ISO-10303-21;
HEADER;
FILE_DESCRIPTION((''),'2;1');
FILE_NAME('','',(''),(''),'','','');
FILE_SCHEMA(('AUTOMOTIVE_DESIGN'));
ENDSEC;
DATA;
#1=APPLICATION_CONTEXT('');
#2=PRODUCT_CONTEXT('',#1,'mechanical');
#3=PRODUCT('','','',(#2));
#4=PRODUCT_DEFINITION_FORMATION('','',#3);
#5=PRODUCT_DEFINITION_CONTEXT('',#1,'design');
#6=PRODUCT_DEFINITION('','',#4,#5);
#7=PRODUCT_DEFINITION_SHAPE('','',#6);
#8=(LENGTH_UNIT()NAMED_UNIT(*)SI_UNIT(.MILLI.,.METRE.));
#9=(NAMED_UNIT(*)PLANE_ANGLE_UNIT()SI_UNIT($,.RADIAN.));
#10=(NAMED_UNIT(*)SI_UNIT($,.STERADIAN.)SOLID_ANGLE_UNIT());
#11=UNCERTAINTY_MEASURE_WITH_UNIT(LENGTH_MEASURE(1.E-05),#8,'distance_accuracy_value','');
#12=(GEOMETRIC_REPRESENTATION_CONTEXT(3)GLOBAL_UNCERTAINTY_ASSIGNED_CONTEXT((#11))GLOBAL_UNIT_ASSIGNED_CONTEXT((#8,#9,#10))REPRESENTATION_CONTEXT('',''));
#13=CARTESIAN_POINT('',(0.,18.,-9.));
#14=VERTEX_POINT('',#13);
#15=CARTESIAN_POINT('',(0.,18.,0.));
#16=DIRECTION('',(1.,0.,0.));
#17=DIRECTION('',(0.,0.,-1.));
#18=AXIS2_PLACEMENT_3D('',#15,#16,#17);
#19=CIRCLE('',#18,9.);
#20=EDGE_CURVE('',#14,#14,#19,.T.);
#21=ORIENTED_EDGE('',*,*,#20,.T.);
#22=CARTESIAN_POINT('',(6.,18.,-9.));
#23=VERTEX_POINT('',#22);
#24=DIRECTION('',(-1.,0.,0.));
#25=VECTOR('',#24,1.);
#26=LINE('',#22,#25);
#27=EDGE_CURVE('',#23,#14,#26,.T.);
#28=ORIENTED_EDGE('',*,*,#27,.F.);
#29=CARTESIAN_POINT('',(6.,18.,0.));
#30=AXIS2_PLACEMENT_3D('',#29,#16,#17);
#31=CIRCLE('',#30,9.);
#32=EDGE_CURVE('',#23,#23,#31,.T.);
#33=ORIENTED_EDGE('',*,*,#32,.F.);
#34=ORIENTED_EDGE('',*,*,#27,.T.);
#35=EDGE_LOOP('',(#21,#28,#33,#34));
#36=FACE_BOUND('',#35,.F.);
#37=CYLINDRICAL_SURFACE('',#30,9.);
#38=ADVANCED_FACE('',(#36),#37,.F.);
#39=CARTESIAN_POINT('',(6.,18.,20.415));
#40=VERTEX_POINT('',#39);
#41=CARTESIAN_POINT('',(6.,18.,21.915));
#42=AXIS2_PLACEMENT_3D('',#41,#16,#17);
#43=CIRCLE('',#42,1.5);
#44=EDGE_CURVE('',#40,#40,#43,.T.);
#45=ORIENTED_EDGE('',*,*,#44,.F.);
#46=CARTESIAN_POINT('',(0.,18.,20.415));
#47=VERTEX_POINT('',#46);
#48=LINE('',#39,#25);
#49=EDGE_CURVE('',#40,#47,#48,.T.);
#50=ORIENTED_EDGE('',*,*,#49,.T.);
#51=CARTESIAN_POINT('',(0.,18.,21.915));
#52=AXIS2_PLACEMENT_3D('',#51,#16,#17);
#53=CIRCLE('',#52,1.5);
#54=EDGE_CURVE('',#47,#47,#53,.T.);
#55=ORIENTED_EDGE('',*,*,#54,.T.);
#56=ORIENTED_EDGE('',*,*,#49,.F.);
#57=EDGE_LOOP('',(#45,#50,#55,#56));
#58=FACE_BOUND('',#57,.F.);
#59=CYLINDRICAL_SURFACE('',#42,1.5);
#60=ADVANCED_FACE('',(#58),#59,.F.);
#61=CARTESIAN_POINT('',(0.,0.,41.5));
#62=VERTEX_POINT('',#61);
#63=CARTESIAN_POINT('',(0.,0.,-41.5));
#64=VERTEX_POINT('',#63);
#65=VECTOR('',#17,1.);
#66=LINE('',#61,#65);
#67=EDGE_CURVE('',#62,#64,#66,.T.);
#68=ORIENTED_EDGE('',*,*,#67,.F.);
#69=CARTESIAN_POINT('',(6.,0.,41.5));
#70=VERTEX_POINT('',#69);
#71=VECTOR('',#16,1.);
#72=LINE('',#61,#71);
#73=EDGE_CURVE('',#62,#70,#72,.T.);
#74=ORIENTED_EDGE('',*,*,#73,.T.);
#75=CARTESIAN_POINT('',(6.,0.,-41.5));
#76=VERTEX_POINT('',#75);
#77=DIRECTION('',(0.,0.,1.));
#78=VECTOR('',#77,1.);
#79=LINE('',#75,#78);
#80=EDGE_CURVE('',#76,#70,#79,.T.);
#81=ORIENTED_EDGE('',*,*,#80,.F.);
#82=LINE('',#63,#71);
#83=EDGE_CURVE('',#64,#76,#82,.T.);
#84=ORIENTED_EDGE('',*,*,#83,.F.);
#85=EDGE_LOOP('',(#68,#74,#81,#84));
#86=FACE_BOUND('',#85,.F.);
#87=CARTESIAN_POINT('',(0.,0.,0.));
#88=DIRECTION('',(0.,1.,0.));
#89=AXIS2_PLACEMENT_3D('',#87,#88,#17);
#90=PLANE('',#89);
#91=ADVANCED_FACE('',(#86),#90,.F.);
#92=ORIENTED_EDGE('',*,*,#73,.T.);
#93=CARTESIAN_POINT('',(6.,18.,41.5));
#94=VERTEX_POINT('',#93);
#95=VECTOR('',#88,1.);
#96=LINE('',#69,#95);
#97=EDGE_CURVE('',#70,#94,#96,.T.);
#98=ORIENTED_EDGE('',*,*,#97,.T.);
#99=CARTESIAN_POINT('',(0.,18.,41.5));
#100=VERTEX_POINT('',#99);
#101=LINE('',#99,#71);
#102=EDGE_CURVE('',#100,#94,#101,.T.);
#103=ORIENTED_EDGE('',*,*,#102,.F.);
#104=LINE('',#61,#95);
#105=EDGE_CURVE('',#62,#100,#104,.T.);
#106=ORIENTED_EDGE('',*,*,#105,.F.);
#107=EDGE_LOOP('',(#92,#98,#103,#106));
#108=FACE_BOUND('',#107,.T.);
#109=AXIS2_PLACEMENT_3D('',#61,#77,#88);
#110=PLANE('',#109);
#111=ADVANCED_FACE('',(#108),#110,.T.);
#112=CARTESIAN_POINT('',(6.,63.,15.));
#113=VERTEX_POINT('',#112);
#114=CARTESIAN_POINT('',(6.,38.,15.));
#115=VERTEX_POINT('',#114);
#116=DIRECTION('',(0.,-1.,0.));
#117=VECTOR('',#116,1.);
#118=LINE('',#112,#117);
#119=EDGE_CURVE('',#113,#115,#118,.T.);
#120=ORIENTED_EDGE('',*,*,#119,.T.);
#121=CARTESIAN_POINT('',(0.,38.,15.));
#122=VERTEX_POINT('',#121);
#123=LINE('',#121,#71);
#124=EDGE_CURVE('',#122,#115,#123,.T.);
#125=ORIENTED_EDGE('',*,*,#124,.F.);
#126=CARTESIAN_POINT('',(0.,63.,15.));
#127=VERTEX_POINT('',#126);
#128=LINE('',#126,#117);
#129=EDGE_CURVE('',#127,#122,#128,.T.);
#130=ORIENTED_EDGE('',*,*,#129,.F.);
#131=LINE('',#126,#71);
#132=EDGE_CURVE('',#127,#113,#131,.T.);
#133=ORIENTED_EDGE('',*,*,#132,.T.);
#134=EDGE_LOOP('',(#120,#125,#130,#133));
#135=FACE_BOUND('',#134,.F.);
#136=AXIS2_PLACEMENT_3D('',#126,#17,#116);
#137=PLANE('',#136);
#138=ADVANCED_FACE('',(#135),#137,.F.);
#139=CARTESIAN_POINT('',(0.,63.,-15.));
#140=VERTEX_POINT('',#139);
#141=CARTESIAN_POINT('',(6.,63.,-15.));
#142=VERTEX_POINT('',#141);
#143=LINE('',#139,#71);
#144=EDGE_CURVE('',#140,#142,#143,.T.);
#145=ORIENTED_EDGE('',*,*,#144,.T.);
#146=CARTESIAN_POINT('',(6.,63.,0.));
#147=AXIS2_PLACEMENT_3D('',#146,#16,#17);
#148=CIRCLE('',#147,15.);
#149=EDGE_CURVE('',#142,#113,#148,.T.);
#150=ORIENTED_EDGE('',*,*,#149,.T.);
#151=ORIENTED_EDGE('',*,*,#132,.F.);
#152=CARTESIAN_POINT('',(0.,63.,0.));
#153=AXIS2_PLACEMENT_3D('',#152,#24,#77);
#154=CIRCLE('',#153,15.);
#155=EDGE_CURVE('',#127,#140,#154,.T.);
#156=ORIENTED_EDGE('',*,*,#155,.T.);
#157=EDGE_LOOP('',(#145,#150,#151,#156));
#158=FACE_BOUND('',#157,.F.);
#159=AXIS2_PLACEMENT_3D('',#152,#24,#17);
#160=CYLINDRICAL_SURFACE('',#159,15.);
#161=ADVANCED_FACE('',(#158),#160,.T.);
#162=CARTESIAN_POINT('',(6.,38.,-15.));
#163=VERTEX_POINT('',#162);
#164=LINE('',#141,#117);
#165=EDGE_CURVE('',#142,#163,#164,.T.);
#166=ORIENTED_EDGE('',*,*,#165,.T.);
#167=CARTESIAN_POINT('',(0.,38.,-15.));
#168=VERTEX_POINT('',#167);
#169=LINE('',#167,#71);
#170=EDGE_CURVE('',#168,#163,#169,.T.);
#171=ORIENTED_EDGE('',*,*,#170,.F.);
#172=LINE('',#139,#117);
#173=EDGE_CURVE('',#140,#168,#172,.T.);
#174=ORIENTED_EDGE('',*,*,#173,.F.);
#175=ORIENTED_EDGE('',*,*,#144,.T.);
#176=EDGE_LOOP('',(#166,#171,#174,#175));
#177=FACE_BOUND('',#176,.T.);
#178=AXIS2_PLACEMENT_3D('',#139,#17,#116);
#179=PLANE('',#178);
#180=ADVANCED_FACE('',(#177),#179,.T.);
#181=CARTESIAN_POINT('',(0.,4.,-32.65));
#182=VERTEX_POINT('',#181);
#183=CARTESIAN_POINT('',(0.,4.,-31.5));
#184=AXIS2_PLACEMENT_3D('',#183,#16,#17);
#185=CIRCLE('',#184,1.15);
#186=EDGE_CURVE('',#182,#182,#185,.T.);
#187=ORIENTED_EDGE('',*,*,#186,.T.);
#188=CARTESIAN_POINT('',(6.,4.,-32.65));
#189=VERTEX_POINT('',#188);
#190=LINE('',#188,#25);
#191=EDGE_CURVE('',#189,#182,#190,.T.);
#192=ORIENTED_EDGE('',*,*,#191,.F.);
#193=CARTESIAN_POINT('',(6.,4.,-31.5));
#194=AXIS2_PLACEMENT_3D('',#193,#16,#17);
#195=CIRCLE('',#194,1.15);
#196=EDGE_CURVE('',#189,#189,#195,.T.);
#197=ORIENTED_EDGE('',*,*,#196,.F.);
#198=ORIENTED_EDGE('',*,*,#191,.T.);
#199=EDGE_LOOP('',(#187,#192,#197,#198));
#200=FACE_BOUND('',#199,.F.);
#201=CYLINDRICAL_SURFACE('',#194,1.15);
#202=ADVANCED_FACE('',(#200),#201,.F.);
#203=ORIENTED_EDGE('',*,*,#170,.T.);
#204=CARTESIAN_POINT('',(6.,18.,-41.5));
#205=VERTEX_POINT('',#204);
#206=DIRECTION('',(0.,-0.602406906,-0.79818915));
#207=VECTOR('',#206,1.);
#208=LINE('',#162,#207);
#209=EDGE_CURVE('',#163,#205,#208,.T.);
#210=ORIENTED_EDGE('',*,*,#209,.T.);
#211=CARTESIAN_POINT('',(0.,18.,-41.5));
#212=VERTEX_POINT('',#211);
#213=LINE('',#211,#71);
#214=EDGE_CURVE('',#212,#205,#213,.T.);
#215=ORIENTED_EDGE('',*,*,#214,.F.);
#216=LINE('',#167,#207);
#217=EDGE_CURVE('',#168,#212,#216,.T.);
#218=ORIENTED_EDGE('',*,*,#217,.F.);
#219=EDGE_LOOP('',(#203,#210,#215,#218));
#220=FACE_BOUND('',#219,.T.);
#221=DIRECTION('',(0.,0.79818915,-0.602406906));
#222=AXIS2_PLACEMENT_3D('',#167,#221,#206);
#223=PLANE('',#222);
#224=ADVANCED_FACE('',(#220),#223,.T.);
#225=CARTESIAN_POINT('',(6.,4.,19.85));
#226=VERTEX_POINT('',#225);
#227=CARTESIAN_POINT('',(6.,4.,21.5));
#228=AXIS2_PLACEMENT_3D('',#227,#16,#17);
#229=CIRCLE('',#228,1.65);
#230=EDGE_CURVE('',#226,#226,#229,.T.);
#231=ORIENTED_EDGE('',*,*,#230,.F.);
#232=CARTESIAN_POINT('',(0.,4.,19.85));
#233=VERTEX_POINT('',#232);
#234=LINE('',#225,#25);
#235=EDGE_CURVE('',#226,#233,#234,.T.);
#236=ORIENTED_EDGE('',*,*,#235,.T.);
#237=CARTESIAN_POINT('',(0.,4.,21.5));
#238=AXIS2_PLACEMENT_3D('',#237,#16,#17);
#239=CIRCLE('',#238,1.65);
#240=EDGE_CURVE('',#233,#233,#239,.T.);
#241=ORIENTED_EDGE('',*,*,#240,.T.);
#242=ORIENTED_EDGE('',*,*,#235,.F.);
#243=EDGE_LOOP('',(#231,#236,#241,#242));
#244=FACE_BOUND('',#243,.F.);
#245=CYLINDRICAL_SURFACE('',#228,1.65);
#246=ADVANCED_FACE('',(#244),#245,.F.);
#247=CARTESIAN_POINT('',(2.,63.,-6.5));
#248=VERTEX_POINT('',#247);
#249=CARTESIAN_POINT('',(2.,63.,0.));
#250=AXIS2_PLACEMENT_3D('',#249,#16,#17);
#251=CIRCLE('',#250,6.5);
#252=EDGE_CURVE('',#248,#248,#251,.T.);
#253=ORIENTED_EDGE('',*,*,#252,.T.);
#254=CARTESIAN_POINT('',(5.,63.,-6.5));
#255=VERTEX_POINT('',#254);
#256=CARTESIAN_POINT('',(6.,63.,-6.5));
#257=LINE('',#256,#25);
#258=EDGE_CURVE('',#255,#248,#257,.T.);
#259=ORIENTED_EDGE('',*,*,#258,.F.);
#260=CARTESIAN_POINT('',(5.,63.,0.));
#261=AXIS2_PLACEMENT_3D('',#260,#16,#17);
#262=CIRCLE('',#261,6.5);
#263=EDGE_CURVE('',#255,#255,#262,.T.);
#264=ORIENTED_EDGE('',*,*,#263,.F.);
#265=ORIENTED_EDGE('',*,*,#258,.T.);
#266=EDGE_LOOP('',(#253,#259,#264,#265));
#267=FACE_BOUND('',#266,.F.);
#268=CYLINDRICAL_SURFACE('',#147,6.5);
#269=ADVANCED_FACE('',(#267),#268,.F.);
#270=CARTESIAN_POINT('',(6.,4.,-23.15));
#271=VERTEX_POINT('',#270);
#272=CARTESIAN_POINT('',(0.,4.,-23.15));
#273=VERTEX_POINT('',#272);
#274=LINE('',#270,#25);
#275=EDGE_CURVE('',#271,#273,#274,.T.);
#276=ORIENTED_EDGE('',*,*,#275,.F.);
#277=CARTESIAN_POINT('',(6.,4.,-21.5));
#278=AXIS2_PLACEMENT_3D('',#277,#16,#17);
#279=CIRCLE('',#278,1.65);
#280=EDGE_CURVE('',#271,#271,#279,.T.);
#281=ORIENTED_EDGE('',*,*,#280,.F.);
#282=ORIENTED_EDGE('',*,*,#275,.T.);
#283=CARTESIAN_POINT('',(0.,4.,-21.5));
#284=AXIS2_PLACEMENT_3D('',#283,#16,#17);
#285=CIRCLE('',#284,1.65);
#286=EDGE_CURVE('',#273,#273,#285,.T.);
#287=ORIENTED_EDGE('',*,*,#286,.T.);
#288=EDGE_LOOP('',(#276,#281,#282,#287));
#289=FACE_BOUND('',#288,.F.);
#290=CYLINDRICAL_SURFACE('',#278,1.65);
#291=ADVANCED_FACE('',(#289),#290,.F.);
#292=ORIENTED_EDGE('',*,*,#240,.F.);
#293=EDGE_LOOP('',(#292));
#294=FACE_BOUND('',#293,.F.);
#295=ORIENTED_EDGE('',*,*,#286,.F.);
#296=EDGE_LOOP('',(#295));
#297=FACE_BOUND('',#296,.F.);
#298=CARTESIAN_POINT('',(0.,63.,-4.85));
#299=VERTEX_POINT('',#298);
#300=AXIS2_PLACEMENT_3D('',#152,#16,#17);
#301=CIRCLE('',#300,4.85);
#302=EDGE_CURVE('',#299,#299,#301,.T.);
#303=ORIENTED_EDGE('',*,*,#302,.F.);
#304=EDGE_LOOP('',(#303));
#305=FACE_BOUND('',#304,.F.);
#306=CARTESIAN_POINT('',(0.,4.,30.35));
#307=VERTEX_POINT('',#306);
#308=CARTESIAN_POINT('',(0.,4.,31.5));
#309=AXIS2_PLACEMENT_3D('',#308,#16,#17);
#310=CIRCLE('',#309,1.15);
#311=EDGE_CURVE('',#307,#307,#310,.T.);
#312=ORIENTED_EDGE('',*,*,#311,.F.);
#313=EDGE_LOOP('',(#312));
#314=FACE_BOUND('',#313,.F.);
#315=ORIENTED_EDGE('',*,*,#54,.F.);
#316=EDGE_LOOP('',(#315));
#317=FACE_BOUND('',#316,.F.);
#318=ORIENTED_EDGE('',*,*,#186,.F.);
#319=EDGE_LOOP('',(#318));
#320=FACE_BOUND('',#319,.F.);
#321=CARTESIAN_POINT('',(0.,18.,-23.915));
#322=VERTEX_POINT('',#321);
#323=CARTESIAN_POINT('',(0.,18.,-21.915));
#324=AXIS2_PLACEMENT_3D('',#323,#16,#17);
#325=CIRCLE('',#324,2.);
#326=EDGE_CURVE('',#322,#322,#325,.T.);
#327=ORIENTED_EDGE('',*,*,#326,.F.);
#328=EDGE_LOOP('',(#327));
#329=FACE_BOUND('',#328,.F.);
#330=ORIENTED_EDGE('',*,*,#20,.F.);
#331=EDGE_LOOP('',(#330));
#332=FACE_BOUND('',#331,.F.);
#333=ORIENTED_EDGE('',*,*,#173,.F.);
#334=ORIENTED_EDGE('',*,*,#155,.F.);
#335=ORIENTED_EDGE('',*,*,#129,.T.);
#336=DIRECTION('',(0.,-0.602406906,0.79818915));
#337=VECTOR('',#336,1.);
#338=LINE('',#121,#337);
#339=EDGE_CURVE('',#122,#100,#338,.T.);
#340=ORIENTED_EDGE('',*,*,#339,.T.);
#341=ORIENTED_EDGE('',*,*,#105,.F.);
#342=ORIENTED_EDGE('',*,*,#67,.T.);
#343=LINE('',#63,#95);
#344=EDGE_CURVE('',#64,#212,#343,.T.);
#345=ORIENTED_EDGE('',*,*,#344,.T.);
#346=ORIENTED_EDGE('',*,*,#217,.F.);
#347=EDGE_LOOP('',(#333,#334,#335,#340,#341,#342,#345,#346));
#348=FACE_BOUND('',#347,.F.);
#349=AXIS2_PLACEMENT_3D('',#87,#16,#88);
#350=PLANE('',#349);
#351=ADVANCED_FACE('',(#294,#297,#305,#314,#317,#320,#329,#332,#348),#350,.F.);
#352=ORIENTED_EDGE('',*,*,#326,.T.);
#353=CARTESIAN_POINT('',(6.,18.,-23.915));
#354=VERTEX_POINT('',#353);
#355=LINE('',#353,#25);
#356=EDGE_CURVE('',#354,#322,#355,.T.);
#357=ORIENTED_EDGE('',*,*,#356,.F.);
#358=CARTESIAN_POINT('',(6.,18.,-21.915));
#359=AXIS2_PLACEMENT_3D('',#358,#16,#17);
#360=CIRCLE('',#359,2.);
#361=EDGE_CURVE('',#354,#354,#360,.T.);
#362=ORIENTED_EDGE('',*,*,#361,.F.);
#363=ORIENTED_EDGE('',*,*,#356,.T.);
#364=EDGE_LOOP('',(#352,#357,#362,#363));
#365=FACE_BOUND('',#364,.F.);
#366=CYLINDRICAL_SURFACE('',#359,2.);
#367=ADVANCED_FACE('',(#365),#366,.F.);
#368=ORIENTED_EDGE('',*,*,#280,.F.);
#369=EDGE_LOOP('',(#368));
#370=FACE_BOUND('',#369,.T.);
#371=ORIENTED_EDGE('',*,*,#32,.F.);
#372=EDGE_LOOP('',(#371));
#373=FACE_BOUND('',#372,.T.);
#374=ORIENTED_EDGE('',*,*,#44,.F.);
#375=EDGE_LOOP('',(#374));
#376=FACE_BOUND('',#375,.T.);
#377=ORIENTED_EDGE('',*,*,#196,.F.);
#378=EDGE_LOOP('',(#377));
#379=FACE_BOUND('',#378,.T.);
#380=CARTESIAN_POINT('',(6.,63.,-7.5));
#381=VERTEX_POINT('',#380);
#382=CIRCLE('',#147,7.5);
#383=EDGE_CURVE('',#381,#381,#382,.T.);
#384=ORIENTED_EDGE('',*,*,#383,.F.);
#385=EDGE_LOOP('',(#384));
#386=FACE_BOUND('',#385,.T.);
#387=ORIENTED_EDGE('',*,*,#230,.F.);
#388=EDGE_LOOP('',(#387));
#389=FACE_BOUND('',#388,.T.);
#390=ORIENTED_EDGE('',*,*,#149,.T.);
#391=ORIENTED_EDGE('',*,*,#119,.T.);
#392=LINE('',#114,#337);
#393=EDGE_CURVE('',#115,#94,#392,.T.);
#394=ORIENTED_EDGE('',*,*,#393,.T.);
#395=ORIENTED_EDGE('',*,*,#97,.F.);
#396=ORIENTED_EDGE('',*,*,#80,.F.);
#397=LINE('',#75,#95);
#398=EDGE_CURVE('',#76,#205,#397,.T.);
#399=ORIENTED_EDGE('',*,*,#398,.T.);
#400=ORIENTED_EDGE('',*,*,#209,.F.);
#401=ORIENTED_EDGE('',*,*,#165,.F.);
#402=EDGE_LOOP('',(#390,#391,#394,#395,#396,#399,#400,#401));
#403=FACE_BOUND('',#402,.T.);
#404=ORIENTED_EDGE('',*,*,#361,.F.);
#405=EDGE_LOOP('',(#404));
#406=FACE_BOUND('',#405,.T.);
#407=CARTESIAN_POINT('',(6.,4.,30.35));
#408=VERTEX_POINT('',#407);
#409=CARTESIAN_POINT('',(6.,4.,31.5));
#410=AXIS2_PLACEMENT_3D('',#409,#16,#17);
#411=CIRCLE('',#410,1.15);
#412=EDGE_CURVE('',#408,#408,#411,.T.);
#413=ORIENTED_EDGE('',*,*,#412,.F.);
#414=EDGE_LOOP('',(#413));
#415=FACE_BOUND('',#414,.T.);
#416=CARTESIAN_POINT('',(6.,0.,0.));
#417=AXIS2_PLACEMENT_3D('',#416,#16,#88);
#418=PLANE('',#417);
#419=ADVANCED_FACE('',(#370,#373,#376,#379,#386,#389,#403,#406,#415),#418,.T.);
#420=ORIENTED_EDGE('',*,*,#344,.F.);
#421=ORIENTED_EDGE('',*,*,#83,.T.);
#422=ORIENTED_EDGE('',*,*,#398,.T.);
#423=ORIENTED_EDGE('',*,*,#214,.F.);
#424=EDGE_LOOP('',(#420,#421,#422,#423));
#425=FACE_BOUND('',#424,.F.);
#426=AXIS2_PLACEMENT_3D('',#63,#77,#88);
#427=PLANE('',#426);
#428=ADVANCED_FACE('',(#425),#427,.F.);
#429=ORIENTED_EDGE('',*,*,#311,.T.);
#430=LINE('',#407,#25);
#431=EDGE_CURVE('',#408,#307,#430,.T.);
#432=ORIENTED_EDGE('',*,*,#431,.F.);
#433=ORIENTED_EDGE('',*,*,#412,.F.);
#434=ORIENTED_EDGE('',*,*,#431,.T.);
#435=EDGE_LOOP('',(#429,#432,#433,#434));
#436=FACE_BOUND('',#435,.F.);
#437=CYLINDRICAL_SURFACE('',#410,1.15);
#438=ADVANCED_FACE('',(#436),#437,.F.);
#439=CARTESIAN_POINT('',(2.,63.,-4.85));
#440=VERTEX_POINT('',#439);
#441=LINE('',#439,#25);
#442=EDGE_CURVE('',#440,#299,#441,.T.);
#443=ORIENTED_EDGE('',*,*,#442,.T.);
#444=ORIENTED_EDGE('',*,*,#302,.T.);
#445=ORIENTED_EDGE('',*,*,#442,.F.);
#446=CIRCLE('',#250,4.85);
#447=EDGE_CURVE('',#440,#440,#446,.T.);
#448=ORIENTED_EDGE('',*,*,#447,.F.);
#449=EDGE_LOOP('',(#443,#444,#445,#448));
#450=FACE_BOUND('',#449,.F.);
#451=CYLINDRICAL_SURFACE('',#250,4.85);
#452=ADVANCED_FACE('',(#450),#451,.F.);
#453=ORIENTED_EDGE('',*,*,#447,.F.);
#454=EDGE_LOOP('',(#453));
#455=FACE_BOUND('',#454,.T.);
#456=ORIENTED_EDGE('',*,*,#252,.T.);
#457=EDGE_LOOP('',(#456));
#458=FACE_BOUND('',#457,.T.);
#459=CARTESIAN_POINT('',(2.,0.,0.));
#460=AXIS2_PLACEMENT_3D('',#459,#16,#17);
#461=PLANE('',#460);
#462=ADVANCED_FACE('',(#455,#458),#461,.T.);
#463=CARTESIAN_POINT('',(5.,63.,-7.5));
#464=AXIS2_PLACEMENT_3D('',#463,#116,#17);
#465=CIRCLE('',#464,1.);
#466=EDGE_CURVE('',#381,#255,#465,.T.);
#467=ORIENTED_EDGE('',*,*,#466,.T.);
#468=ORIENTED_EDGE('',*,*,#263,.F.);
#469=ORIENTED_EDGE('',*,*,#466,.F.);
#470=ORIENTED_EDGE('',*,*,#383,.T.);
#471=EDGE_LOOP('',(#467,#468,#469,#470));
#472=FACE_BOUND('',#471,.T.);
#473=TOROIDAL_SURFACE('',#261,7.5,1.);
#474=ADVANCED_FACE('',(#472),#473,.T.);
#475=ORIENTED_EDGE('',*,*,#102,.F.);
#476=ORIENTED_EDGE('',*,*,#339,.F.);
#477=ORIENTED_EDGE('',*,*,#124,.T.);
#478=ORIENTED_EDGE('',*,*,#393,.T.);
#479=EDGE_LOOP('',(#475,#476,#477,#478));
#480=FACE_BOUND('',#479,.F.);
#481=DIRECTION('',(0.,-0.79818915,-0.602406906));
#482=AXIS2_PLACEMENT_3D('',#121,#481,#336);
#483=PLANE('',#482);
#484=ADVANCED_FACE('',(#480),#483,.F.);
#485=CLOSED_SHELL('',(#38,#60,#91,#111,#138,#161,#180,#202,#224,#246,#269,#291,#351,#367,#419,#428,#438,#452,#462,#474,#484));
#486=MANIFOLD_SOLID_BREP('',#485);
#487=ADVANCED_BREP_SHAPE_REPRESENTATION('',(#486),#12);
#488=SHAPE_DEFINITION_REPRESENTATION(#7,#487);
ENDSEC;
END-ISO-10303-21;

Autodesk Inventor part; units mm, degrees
ref_plane "YZ Plane" through (0, 0, 0) normal (1, 0, 0) x (0, 1, 0)
ref_plane "XZ Plane" through (0, 0, 0) normal (0, 1, 0) x (-1, 0, 0)
ref_plane "XY Plane" through (0, 0, 0) normal (0, 0, 1) x (1, 0, 0)
sketch "스케치1" plane through (0, 0, 0) normal (1, 0, 0) x (0, 1, 0)
  line L0 (0, -41.5) -> (18, -41.5)
  line L1 (18, -41.5) -> (18, 59.6584) construction
  line L2 (0, 0) -> (0, -41.5)
  line L3 (84.3904, 0) -> (-15.1692, 0) construction
  arc A0 (63, -15) -> (78, 0) centre (63, 0) ccw
  line L4 (63, -15) -> (38, -15)
  line L5 (38, -15) -> (18, -41.5)
  line L6 (0, 41.5) -> (18, 41.5)
  line L7 (0, 0) -> (0, 41.5)
  arc A1 (78, 0) -> (63, 15) centre (63, 0) ccw
  line L8 (63, 15) -> (38, 15)
  line L9 (38, 15) -> (18, 41.5)
  dimension "d0" = 18
  dimension "d8" = 45
  dimension "d9" = 25
extrude "돌출1" add sketch "스케치1" along normal blind 6
sketch "스케치2" plane through (6, 0, 0) normal (1, 0, 0) x (0, 0, -1)
  line L0 (-58.8675, 4) -> (65.7315, 4) construction
  line L1 (-41.5, 0) -> (41.5, 0) projected
  circle A0 centre (31.5, 4) radius 1.15
  circle A1 centre (21.5, 4) radius 1.65
  line L2 (41.5, 0) -> (41.5, 18) projected
  line L3 (0, 13.8041) -> (0, -7.7982) construction
  circle A2 centre (-31.5, 4) radius 1.15
  circle A3 centre (-21.5, 4) radius 1.65
  point P0 (0, 0)
  dimension "d12" = 4
  dimension "d13" = 2.3
  dimension "d14" = 3.3
  dimension "d15" = 10
  dimension "d16" = 20
  dimension "d32" = 21.5
extrude "돌출2" cut sketch "스케치2" against normal blind 6
sketch "스케치3" plane through (6, 0, 0) normal (1, 0, 0) x (0, 0, -1)
  line L0 (-41.5, 18) -> (-41.5, 0) projected
  line L1 (41.5, 0) -> (41.5, 18) projected
  line L2 (-41.5, 18) -> (41.5, 18) construction
  line L3 (-21.915, 37.5775) -> (-21.915, 10.4705) construction
  line L4 (0, 43.7434) -> (0, -15.8221) construction
  line L5 (21.915, 37.5775) -> (21.915, 10.4705) construction
  circle A0 centre (-21.915, 18) radius 1.5
  circle A1 centre (21.915, 18) radius 2
  circle A2 centre (0, 18) radius 9
  point P0 (0, 0)
  dimension "d19" = 21.915
  dimension "d20" = 3
  dimension "d21" = 4
  dimension "d22" = 18
extrude "돌출3" cut sketch "스케치3" against normal blind 6
sketch "스케치4" plane through (6, 0, 0) normal (1, 0, 0) x (0, 0, -1)
  arc A0 (15, 63) -> (-15, 63) centre (0, 63) ccw projected
  circle A1 centre (0, 63) radius 6.5
  point P0 (0, 0)
  dimension "d25" = 13
extrude "돌출4" cut sketch "스케치4" against normal blind 4
sketch "스케치5" plane through (2, 63, 0) normal (1, 0, 0) x (0, 0, -1)
  circle A0 centre (0, 0) radius 4.85
  point P0 (0, -63)
  dimension "d28" = 9.7
extrude "돌출5" cut sketch "스케치5" against normal blind 2
fillet "모깎기1" radius 1 1 edges at (6, 63, 6.5)
properties part number "탑(모터쪽옆면수정)"
